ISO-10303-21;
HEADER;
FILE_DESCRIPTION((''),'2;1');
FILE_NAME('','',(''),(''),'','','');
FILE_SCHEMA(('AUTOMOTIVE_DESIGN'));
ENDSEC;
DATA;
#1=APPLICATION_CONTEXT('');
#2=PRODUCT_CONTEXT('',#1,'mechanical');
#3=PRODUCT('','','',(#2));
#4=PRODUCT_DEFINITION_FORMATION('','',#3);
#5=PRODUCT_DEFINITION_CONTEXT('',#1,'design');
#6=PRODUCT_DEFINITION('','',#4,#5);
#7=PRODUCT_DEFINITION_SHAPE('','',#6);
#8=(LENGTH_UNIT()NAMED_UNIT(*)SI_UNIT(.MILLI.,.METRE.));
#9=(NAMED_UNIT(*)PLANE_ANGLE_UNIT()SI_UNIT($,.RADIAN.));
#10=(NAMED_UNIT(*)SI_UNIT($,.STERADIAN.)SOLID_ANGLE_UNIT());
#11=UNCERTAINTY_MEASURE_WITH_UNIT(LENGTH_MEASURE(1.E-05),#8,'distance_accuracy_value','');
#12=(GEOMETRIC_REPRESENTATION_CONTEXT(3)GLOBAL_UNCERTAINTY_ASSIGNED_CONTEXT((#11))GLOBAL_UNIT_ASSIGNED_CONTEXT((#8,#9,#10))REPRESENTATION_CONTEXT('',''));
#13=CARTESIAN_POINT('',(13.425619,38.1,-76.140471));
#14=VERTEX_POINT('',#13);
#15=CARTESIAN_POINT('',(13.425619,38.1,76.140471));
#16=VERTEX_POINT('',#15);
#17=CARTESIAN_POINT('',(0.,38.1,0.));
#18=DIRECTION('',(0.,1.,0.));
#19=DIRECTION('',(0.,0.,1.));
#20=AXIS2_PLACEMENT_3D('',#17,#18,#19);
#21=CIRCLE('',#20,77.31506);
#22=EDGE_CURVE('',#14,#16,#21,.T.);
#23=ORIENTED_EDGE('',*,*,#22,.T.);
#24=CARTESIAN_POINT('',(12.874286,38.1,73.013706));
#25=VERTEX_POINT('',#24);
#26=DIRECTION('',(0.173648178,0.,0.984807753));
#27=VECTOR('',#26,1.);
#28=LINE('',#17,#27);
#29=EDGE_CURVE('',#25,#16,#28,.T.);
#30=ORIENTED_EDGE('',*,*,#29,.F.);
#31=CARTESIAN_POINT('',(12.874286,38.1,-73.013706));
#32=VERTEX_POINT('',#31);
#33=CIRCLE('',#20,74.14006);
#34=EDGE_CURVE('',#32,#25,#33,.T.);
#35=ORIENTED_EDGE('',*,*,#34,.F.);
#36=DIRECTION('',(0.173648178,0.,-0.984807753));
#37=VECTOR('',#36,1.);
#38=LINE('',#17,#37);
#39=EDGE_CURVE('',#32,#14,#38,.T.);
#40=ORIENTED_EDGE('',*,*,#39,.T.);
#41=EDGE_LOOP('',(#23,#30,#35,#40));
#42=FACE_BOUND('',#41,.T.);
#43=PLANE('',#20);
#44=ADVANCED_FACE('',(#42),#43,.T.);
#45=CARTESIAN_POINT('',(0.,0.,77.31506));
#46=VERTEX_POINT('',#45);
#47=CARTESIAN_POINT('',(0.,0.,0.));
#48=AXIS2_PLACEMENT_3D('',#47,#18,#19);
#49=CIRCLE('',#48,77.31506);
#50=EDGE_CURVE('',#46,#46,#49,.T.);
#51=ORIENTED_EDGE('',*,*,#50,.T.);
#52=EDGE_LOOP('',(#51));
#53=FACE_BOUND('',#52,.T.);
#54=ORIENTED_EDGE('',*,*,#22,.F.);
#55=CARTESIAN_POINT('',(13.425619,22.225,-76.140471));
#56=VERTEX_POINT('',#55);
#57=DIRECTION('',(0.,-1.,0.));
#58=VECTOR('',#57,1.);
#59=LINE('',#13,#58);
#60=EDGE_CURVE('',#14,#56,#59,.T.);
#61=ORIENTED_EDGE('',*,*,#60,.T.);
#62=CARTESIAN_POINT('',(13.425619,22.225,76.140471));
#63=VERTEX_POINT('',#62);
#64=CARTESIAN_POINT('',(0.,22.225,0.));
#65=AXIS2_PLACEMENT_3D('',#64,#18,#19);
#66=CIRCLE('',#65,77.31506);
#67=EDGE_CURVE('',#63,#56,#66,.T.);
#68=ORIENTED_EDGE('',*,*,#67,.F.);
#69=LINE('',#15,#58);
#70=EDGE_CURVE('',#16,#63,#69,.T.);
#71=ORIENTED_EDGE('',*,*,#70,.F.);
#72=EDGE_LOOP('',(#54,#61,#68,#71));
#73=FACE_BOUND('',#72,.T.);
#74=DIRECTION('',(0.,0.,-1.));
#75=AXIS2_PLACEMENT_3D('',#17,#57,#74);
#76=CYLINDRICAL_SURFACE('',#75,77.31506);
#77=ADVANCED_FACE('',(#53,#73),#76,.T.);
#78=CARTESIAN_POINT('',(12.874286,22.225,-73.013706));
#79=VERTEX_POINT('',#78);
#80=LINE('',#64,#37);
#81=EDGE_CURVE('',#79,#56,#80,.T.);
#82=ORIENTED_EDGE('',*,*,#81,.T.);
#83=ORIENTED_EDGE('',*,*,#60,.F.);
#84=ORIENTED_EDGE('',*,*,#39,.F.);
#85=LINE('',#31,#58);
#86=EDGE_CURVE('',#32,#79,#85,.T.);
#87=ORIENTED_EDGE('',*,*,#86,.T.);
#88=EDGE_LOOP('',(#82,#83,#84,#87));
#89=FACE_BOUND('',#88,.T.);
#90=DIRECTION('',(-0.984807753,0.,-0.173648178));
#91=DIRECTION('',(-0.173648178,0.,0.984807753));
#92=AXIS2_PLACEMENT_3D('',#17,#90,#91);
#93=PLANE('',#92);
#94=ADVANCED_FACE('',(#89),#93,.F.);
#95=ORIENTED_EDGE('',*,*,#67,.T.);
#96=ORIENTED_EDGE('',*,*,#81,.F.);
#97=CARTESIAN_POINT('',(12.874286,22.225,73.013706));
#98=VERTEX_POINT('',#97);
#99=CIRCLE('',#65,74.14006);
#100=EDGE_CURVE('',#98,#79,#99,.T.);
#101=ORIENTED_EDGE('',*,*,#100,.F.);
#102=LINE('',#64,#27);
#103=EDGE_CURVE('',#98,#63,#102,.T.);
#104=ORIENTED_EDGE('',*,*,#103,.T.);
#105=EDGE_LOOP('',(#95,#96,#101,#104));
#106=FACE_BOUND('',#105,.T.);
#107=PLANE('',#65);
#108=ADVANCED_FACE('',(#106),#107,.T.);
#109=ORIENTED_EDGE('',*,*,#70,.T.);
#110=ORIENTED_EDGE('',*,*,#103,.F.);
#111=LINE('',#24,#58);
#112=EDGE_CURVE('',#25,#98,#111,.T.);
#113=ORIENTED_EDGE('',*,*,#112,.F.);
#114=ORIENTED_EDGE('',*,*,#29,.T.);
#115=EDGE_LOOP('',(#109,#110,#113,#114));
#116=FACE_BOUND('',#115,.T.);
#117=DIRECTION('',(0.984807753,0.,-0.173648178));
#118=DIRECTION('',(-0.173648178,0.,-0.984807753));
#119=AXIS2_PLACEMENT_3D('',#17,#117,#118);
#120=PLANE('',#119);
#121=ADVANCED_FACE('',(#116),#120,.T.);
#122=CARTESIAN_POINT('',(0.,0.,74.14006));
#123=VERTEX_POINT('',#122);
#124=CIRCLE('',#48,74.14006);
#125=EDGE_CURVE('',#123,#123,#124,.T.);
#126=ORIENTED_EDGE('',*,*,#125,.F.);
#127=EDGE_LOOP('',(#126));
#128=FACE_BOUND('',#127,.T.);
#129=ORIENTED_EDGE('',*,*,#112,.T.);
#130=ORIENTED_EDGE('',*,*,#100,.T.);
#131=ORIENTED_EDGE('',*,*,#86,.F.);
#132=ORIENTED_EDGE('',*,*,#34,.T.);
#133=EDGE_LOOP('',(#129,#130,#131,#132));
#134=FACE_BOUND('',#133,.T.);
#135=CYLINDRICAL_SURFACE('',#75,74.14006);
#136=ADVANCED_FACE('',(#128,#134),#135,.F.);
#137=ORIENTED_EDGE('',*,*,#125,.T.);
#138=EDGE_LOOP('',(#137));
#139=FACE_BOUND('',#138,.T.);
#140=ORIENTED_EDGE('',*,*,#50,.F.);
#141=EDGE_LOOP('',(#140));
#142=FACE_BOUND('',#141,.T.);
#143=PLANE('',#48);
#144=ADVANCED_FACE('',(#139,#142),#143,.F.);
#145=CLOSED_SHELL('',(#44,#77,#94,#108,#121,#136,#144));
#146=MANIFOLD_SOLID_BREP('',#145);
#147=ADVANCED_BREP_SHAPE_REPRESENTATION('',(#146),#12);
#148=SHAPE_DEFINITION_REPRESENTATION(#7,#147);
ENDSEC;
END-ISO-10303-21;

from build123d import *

# Parameters (mm, degrees)
BOSS_EXTRUDE1_DEPTH = 38.1
SKETCH1_3_R         = 77.31506
SKETCH1_3_R_2       = 74.14006
BOSS_EXTRUDE2_DEPTH = 22.225


with BuildPart() as part:
    # Sketch1 → Boss-Extrude1 (new body)
    with BuildSketch(Plane(origin=(0, 0, 0), x_dir=(1, 0, 0), z_dir=(0, 1, 0))):
        with BuildLine():
            Line((13.425619275, -76.140470513), (12.874286311, -73.013705897))
            ThreePointArc((12.874286311, -73.013705897), (-74.14006, 0), (12.874286311, 73.013705897))
            Line((12.874286311, 73.013705897), (13.425619275, 76.140470513))
            ThreePointArc((13.425619275, 76.140470513), (-77.31506, 0), (13.425619275, -76.140470513))
        make_face()
    extrude(amount=BOSS_EXTRUDE1_DEPTH)

    # Sketch1_3 → Boss-Extrude2 (add)
    with BuildSketch(Plane(origin=(0, 0, 0), x_dir=(1, 0, 0), z_dir=(0, 1, 0))):
        Circle(SKETCH1_3_R)
        Circle(SKETCH1_3_R_2, mode=Mode.SUBTRACT)
    extrude(amount=BOSS_EXTRUDE2_DEPTH)


solid = part.part
